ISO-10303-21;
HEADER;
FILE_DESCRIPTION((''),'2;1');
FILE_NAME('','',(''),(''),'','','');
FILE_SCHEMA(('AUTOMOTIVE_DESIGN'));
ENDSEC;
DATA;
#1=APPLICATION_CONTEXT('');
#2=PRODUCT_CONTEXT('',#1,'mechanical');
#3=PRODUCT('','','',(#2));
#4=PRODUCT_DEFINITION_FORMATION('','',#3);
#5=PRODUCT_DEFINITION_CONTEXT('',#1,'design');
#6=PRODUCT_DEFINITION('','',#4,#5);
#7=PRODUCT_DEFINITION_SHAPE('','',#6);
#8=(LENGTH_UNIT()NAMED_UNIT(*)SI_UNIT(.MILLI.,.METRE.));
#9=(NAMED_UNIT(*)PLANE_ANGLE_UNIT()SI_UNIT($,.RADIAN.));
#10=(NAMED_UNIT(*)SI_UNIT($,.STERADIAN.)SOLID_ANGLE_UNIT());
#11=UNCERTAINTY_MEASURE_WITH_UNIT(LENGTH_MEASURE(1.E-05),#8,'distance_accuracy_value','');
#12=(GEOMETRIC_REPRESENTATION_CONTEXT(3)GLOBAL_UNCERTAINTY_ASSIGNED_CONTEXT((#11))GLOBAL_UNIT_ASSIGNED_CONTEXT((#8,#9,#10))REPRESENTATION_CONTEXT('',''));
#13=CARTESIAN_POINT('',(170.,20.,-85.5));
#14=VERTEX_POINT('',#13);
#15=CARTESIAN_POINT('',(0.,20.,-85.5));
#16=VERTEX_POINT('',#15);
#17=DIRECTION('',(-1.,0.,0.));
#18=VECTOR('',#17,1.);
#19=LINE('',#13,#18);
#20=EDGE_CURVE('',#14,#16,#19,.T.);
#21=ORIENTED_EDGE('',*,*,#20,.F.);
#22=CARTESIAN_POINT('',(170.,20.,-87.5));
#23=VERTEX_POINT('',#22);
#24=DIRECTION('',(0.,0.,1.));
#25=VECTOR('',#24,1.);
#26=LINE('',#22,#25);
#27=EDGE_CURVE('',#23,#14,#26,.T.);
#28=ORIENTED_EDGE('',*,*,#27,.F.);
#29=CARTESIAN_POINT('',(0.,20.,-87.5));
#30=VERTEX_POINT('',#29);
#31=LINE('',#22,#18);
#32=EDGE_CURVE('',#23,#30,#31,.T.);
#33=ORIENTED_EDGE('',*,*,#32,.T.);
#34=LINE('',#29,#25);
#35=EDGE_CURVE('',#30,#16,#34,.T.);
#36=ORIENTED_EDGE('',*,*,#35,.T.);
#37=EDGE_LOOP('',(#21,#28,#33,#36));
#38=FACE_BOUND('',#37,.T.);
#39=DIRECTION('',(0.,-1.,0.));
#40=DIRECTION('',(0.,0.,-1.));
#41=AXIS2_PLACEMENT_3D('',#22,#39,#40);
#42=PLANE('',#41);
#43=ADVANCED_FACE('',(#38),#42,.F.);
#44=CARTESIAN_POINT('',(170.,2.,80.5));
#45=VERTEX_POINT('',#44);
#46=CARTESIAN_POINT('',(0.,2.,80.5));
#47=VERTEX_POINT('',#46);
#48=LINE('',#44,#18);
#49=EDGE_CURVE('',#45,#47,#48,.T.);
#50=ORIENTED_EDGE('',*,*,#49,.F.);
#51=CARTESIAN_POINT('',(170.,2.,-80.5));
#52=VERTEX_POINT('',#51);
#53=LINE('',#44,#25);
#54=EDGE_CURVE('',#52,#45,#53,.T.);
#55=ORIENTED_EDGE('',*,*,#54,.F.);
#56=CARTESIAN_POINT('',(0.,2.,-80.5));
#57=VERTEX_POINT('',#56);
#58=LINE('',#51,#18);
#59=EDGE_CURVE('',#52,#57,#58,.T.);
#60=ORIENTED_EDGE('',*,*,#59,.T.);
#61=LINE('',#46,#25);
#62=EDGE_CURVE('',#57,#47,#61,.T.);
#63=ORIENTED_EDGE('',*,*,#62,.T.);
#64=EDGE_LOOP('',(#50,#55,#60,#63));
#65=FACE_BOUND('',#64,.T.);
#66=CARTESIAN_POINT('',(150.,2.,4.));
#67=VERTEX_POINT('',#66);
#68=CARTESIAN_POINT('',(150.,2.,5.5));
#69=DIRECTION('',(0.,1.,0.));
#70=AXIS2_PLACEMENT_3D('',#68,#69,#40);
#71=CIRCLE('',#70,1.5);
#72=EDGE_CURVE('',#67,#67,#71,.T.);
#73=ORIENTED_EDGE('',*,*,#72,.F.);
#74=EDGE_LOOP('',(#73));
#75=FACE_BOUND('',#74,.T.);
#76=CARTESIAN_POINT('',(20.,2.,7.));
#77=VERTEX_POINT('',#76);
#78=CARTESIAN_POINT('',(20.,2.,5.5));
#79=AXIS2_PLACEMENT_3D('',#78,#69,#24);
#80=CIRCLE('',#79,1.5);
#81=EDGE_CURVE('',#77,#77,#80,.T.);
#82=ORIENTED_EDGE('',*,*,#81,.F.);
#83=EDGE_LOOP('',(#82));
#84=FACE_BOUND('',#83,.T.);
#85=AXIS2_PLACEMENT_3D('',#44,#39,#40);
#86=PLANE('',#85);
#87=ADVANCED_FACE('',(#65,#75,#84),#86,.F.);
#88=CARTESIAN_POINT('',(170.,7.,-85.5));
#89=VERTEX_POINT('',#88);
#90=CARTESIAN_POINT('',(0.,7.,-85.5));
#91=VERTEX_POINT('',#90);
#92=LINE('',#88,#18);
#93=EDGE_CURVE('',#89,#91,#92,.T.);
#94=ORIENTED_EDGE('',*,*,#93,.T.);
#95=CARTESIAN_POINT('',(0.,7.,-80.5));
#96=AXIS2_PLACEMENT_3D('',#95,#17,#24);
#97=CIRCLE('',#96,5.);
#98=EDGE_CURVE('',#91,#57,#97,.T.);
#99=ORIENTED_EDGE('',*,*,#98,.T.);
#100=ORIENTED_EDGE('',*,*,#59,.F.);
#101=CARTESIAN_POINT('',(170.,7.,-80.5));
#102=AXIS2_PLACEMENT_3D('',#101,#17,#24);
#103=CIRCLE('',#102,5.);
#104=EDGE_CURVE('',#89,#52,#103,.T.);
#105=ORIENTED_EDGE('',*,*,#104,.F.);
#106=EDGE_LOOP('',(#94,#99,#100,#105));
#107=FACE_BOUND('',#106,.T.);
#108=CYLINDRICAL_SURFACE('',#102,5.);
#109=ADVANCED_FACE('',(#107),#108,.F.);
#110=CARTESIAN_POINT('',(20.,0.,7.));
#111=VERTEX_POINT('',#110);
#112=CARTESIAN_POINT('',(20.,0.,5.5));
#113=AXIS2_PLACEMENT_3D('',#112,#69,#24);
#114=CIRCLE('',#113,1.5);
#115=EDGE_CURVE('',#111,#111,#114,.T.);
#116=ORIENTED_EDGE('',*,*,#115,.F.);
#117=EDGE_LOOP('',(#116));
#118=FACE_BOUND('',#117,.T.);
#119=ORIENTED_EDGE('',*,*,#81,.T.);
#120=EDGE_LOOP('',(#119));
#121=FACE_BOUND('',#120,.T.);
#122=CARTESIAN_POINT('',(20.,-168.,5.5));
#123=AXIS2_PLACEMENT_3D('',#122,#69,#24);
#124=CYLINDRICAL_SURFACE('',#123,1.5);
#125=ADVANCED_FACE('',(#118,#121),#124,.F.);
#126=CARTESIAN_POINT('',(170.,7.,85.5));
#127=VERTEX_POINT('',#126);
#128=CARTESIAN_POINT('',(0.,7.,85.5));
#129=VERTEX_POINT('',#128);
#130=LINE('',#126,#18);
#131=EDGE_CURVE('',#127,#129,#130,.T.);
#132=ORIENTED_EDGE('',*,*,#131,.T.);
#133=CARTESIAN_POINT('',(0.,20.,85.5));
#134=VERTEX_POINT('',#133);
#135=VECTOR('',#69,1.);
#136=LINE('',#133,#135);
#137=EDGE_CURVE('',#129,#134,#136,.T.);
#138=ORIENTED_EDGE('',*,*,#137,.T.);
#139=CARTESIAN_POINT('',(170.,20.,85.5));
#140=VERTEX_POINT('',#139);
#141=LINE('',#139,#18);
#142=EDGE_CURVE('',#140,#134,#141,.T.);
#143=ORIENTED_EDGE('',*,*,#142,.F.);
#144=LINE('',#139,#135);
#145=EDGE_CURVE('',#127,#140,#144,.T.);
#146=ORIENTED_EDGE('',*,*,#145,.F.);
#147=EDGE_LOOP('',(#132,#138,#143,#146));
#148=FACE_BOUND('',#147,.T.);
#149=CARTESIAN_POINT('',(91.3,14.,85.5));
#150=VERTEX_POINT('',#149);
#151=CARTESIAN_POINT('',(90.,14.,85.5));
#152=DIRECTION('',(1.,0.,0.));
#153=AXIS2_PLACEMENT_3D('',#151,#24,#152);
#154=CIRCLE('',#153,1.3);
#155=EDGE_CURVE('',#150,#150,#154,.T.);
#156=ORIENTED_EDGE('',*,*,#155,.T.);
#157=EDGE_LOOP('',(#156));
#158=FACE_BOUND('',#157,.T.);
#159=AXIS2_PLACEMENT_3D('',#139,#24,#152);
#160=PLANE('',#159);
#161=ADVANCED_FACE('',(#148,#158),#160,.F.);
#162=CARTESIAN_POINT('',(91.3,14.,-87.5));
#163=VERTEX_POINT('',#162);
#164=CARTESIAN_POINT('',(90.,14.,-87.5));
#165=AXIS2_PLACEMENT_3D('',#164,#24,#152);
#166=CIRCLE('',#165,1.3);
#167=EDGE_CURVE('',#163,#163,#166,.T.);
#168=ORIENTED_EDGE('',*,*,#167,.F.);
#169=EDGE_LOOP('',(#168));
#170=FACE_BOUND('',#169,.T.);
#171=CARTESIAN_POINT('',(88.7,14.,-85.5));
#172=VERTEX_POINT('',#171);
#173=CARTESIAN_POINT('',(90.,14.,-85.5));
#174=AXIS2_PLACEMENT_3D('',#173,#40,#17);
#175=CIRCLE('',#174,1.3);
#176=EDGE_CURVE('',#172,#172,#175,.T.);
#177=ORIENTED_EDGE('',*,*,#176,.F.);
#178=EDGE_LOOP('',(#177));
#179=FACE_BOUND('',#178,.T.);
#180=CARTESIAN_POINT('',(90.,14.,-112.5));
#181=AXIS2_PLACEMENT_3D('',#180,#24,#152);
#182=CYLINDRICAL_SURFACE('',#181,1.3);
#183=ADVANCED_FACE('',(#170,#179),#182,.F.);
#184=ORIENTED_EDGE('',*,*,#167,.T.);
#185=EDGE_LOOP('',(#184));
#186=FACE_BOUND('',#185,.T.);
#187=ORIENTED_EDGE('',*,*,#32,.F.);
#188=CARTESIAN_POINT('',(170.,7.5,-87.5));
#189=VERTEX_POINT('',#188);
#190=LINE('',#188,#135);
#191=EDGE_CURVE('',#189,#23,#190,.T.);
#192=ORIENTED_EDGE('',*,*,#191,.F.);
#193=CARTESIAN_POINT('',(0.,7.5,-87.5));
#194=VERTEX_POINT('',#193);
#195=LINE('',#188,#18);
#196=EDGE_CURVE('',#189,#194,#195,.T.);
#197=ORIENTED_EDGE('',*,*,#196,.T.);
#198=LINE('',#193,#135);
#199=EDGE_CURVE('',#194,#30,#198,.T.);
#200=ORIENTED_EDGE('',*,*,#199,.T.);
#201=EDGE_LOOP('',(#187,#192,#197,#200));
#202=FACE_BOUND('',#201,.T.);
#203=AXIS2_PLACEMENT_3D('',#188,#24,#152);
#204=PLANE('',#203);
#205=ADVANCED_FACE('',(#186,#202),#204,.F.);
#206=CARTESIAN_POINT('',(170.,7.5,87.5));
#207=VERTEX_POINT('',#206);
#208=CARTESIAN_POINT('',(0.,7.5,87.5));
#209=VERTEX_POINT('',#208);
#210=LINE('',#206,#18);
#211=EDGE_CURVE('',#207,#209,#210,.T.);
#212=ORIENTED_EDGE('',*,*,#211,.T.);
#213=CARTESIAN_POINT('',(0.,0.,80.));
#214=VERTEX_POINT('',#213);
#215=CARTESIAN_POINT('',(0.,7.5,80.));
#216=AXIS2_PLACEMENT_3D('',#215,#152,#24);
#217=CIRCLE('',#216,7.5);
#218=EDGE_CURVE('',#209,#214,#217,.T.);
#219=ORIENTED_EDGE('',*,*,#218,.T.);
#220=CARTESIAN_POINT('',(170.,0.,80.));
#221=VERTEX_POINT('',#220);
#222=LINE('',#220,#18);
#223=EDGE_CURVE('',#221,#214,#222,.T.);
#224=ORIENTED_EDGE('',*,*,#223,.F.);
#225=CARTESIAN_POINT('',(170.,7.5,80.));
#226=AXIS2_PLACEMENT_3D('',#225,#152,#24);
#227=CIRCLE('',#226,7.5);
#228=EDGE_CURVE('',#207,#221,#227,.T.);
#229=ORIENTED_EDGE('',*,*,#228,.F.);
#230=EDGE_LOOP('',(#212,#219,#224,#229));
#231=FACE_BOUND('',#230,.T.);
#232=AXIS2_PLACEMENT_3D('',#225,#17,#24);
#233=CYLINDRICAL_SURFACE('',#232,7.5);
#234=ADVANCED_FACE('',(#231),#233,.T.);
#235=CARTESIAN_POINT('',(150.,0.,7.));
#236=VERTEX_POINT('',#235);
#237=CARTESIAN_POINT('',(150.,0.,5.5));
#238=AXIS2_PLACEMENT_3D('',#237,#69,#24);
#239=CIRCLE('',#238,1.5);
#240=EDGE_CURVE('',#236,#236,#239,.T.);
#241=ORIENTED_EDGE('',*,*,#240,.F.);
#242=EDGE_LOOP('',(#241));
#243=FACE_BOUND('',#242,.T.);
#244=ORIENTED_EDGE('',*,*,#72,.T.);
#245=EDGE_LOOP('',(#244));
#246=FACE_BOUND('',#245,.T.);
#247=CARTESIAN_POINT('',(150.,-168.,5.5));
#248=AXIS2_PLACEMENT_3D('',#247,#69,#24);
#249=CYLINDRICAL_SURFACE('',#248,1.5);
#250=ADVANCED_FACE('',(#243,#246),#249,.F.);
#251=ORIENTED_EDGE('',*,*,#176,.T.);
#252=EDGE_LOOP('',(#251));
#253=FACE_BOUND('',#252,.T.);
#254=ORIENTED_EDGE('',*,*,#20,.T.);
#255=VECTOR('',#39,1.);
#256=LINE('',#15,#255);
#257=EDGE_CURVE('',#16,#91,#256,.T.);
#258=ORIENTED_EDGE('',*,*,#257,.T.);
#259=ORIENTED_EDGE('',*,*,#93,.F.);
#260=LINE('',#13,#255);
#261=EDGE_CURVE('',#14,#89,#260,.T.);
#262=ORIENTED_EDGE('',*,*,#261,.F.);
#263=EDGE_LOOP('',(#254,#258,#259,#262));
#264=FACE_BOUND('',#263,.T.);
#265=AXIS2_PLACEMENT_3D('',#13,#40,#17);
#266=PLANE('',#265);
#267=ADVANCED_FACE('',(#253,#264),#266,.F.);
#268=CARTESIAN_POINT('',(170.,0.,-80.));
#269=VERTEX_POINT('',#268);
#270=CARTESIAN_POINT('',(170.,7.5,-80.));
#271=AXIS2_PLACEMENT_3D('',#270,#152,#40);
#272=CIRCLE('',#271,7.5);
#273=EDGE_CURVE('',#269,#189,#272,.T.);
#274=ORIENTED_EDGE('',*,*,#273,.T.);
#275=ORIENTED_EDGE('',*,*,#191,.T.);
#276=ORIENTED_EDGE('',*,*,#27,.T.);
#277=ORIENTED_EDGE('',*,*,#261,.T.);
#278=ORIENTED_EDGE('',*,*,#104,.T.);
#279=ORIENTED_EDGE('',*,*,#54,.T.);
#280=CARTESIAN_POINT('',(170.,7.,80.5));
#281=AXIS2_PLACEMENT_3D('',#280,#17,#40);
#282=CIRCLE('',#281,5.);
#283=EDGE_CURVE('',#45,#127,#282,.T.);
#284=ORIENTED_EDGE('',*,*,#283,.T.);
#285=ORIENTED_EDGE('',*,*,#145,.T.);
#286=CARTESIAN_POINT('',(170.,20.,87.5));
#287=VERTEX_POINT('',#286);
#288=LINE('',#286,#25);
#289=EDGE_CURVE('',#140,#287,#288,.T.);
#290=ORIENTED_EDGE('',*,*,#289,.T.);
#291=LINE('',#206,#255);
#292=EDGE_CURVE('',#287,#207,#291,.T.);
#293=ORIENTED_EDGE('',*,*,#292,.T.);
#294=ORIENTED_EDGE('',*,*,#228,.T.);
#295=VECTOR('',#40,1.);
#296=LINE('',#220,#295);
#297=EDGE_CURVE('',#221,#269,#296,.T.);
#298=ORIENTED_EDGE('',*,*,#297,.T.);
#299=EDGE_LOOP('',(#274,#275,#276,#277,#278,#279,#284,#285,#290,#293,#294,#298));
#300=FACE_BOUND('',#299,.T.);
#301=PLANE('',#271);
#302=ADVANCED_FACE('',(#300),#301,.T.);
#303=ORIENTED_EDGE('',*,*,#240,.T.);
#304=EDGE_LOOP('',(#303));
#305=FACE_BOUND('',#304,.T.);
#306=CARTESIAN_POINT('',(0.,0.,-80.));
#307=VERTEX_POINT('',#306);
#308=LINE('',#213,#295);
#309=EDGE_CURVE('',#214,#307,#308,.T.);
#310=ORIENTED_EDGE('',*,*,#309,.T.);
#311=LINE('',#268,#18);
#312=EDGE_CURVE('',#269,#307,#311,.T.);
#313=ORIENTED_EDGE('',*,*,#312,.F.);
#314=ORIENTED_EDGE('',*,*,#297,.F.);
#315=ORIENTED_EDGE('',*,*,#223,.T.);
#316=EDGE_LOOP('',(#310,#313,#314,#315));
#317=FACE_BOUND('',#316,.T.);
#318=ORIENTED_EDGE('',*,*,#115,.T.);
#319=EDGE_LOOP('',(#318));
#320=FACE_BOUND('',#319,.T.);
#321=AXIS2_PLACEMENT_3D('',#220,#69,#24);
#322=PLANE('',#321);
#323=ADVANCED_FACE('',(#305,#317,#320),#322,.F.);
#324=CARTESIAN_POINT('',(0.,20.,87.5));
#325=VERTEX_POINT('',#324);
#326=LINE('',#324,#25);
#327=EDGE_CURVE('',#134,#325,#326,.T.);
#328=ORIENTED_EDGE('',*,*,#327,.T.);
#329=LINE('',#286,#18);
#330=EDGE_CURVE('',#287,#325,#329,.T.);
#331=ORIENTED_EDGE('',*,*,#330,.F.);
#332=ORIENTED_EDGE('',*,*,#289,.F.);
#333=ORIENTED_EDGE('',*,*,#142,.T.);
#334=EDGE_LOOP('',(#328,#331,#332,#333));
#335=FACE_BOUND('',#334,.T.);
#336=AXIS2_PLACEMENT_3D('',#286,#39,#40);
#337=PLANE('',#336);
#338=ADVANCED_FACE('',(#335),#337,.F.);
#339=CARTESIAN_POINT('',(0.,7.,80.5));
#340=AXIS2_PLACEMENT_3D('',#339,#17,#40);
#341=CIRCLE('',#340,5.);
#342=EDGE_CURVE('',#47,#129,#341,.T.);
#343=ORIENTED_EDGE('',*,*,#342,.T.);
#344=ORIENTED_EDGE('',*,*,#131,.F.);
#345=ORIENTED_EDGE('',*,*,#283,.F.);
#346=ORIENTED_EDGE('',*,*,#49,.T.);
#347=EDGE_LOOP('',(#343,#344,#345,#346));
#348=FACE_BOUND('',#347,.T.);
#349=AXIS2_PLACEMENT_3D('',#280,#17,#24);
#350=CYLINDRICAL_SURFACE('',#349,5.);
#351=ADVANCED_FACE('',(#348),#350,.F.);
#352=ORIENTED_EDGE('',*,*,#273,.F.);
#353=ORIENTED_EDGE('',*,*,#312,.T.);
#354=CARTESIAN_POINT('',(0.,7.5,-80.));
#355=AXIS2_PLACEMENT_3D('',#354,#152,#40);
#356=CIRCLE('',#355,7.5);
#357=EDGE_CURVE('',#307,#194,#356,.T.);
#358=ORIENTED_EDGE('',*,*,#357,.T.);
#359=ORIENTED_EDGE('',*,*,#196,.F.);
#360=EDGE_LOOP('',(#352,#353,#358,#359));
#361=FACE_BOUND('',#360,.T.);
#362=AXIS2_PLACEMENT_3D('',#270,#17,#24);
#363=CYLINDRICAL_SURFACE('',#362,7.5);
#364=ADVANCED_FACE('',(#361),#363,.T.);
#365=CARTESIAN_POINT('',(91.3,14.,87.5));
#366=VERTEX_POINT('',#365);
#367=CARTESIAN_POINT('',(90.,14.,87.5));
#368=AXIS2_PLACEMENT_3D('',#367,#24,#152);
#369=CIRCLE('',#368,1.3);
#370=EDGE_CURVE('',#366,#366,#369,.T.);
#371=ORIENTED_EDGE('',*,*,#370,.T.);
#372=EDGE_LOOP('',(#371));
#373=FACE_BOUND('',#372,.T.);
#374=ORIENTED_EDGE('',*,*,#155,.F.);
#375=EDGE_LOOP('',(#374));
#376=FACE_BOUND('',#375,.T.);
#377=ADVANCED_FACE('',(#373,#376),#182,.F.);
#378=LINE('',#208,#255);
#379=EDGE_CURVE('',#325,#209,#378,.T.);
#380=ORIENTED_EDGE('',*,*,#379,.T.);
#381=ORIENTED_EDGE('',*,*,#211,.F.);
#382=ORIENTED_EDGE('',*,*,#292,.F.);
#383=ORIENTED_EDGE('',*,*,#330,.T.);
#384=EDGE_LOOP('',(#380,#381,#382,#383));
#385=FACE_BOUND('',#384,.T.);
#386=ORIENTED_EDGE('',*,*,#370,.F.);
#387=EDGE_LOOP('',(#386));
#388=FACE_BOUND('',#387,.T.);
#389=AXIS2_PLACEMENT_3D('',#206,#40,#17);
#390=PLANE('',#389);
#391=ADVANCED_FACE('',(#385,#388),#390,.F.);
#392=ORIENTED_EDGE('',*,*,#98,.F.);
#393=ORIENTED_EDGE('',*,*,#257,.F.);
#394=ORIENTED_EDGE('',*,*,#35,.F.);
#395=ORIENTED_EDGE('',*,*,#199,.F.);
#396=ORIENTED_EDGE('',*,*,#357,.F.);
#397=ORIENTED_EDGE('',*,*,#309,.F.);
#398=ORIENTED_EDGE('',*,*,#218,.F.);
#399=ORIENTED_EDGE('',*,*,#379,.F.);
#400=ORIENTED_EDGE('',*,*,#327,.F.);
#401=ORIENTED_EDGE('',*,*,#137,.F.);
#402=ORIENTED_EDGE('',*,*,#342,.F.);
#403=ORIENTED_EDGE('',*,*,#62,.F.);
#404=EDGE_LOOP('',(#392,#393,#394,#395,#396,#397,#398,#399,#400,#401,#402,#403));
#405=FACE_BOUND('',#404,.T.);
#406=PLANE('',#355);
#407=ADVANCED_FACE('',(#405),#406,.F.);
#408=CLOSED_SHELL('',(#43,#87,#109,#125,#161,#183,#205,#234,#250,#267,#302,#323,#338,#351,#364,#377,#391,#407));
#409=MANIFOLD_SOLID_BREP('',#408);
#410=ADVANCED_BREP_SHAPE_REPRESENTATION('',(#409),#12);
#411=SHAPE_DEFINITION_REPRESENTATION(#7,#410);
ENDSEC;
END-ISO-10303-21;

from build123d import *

# Parameters (mm, degrees)
BOSS_EXTRUDE1_DEPTH = 170
SKETCH3_R           = 1.5
CUT_EXTRUDE2_DEPTH  = 170
SKETCH4_R           = 1.3
CUT_EXTRUDE3_DEPTH  = 200


with BuildPart() as part:
    # Sketch2 → Boss-Extrude1 (new body)
    with BuildSketch(Plane(origin=(0, 0, 0), x_dir=(0, 0, -1), z_dir=(1, 0, 0))):
        with BuildLine():
            Line((-80, 0), (80, 0))
            ThreePointArc((80, 0), (85.303300859, 2.196699141), (87.5, 7.5))
            Line((87.5, 7.5), (87.5, 20))
            Line((87.5, 20), (85.5, 20))
            Line((85.5, 20), (85.5, 7))
            ThreePointArc((85.5, 7), (84.035533906, 3.464466094), (80.5, 2))
            Line((80.5, 2), (-80.5, 2))
            ThreePointArc((-80.5, 2), (-84.035533906, 3.464466094), (-85.5, 7))
            Line((-85.5, 7), (-85.5, 20))
            Line((-85.5, 20), (-87.5, 20))
            Line((-87.5, 20), (-87.5, 7.5))
            ThreePointArc((-87.5, 7.5), (-85.303300859, 2.196699141), (-80, 0))
        make_face()
    extrude(amount=BOSS_EXTRUDE1_DEPTH)

    # Sketch3 → Cut-Extrude2 (cut)
    with BuildSketch(Plane(origin=(0, 2, 0), x_dir=(1, 0, 0), z_dir=(0, 1, 0))):
        with Locations(Location((20, -5.5, 0), (0, 0, 270))):
            Circle(SKETCH3_R)
        with Locations(Location((150, -5.5, 0), (0, 0, 270))):
            Circle(SKETCH3_R)
    extrude(amount=-CUT_EXTRUDE2_DEPTH, mode=Mode.SUBTRACT)

    # Sketch4 → Cut-Extrude3 (cut)
    with BuildSketch(Plane.XY.offset(87.5)):
        with Locations((90, 14)):
            Circle(SKETCH4_R)
    extrude(amount=-CUT_EXTRUDE3_DEPTH, mode=Mode.SUBTRACT)


solid = part.part
